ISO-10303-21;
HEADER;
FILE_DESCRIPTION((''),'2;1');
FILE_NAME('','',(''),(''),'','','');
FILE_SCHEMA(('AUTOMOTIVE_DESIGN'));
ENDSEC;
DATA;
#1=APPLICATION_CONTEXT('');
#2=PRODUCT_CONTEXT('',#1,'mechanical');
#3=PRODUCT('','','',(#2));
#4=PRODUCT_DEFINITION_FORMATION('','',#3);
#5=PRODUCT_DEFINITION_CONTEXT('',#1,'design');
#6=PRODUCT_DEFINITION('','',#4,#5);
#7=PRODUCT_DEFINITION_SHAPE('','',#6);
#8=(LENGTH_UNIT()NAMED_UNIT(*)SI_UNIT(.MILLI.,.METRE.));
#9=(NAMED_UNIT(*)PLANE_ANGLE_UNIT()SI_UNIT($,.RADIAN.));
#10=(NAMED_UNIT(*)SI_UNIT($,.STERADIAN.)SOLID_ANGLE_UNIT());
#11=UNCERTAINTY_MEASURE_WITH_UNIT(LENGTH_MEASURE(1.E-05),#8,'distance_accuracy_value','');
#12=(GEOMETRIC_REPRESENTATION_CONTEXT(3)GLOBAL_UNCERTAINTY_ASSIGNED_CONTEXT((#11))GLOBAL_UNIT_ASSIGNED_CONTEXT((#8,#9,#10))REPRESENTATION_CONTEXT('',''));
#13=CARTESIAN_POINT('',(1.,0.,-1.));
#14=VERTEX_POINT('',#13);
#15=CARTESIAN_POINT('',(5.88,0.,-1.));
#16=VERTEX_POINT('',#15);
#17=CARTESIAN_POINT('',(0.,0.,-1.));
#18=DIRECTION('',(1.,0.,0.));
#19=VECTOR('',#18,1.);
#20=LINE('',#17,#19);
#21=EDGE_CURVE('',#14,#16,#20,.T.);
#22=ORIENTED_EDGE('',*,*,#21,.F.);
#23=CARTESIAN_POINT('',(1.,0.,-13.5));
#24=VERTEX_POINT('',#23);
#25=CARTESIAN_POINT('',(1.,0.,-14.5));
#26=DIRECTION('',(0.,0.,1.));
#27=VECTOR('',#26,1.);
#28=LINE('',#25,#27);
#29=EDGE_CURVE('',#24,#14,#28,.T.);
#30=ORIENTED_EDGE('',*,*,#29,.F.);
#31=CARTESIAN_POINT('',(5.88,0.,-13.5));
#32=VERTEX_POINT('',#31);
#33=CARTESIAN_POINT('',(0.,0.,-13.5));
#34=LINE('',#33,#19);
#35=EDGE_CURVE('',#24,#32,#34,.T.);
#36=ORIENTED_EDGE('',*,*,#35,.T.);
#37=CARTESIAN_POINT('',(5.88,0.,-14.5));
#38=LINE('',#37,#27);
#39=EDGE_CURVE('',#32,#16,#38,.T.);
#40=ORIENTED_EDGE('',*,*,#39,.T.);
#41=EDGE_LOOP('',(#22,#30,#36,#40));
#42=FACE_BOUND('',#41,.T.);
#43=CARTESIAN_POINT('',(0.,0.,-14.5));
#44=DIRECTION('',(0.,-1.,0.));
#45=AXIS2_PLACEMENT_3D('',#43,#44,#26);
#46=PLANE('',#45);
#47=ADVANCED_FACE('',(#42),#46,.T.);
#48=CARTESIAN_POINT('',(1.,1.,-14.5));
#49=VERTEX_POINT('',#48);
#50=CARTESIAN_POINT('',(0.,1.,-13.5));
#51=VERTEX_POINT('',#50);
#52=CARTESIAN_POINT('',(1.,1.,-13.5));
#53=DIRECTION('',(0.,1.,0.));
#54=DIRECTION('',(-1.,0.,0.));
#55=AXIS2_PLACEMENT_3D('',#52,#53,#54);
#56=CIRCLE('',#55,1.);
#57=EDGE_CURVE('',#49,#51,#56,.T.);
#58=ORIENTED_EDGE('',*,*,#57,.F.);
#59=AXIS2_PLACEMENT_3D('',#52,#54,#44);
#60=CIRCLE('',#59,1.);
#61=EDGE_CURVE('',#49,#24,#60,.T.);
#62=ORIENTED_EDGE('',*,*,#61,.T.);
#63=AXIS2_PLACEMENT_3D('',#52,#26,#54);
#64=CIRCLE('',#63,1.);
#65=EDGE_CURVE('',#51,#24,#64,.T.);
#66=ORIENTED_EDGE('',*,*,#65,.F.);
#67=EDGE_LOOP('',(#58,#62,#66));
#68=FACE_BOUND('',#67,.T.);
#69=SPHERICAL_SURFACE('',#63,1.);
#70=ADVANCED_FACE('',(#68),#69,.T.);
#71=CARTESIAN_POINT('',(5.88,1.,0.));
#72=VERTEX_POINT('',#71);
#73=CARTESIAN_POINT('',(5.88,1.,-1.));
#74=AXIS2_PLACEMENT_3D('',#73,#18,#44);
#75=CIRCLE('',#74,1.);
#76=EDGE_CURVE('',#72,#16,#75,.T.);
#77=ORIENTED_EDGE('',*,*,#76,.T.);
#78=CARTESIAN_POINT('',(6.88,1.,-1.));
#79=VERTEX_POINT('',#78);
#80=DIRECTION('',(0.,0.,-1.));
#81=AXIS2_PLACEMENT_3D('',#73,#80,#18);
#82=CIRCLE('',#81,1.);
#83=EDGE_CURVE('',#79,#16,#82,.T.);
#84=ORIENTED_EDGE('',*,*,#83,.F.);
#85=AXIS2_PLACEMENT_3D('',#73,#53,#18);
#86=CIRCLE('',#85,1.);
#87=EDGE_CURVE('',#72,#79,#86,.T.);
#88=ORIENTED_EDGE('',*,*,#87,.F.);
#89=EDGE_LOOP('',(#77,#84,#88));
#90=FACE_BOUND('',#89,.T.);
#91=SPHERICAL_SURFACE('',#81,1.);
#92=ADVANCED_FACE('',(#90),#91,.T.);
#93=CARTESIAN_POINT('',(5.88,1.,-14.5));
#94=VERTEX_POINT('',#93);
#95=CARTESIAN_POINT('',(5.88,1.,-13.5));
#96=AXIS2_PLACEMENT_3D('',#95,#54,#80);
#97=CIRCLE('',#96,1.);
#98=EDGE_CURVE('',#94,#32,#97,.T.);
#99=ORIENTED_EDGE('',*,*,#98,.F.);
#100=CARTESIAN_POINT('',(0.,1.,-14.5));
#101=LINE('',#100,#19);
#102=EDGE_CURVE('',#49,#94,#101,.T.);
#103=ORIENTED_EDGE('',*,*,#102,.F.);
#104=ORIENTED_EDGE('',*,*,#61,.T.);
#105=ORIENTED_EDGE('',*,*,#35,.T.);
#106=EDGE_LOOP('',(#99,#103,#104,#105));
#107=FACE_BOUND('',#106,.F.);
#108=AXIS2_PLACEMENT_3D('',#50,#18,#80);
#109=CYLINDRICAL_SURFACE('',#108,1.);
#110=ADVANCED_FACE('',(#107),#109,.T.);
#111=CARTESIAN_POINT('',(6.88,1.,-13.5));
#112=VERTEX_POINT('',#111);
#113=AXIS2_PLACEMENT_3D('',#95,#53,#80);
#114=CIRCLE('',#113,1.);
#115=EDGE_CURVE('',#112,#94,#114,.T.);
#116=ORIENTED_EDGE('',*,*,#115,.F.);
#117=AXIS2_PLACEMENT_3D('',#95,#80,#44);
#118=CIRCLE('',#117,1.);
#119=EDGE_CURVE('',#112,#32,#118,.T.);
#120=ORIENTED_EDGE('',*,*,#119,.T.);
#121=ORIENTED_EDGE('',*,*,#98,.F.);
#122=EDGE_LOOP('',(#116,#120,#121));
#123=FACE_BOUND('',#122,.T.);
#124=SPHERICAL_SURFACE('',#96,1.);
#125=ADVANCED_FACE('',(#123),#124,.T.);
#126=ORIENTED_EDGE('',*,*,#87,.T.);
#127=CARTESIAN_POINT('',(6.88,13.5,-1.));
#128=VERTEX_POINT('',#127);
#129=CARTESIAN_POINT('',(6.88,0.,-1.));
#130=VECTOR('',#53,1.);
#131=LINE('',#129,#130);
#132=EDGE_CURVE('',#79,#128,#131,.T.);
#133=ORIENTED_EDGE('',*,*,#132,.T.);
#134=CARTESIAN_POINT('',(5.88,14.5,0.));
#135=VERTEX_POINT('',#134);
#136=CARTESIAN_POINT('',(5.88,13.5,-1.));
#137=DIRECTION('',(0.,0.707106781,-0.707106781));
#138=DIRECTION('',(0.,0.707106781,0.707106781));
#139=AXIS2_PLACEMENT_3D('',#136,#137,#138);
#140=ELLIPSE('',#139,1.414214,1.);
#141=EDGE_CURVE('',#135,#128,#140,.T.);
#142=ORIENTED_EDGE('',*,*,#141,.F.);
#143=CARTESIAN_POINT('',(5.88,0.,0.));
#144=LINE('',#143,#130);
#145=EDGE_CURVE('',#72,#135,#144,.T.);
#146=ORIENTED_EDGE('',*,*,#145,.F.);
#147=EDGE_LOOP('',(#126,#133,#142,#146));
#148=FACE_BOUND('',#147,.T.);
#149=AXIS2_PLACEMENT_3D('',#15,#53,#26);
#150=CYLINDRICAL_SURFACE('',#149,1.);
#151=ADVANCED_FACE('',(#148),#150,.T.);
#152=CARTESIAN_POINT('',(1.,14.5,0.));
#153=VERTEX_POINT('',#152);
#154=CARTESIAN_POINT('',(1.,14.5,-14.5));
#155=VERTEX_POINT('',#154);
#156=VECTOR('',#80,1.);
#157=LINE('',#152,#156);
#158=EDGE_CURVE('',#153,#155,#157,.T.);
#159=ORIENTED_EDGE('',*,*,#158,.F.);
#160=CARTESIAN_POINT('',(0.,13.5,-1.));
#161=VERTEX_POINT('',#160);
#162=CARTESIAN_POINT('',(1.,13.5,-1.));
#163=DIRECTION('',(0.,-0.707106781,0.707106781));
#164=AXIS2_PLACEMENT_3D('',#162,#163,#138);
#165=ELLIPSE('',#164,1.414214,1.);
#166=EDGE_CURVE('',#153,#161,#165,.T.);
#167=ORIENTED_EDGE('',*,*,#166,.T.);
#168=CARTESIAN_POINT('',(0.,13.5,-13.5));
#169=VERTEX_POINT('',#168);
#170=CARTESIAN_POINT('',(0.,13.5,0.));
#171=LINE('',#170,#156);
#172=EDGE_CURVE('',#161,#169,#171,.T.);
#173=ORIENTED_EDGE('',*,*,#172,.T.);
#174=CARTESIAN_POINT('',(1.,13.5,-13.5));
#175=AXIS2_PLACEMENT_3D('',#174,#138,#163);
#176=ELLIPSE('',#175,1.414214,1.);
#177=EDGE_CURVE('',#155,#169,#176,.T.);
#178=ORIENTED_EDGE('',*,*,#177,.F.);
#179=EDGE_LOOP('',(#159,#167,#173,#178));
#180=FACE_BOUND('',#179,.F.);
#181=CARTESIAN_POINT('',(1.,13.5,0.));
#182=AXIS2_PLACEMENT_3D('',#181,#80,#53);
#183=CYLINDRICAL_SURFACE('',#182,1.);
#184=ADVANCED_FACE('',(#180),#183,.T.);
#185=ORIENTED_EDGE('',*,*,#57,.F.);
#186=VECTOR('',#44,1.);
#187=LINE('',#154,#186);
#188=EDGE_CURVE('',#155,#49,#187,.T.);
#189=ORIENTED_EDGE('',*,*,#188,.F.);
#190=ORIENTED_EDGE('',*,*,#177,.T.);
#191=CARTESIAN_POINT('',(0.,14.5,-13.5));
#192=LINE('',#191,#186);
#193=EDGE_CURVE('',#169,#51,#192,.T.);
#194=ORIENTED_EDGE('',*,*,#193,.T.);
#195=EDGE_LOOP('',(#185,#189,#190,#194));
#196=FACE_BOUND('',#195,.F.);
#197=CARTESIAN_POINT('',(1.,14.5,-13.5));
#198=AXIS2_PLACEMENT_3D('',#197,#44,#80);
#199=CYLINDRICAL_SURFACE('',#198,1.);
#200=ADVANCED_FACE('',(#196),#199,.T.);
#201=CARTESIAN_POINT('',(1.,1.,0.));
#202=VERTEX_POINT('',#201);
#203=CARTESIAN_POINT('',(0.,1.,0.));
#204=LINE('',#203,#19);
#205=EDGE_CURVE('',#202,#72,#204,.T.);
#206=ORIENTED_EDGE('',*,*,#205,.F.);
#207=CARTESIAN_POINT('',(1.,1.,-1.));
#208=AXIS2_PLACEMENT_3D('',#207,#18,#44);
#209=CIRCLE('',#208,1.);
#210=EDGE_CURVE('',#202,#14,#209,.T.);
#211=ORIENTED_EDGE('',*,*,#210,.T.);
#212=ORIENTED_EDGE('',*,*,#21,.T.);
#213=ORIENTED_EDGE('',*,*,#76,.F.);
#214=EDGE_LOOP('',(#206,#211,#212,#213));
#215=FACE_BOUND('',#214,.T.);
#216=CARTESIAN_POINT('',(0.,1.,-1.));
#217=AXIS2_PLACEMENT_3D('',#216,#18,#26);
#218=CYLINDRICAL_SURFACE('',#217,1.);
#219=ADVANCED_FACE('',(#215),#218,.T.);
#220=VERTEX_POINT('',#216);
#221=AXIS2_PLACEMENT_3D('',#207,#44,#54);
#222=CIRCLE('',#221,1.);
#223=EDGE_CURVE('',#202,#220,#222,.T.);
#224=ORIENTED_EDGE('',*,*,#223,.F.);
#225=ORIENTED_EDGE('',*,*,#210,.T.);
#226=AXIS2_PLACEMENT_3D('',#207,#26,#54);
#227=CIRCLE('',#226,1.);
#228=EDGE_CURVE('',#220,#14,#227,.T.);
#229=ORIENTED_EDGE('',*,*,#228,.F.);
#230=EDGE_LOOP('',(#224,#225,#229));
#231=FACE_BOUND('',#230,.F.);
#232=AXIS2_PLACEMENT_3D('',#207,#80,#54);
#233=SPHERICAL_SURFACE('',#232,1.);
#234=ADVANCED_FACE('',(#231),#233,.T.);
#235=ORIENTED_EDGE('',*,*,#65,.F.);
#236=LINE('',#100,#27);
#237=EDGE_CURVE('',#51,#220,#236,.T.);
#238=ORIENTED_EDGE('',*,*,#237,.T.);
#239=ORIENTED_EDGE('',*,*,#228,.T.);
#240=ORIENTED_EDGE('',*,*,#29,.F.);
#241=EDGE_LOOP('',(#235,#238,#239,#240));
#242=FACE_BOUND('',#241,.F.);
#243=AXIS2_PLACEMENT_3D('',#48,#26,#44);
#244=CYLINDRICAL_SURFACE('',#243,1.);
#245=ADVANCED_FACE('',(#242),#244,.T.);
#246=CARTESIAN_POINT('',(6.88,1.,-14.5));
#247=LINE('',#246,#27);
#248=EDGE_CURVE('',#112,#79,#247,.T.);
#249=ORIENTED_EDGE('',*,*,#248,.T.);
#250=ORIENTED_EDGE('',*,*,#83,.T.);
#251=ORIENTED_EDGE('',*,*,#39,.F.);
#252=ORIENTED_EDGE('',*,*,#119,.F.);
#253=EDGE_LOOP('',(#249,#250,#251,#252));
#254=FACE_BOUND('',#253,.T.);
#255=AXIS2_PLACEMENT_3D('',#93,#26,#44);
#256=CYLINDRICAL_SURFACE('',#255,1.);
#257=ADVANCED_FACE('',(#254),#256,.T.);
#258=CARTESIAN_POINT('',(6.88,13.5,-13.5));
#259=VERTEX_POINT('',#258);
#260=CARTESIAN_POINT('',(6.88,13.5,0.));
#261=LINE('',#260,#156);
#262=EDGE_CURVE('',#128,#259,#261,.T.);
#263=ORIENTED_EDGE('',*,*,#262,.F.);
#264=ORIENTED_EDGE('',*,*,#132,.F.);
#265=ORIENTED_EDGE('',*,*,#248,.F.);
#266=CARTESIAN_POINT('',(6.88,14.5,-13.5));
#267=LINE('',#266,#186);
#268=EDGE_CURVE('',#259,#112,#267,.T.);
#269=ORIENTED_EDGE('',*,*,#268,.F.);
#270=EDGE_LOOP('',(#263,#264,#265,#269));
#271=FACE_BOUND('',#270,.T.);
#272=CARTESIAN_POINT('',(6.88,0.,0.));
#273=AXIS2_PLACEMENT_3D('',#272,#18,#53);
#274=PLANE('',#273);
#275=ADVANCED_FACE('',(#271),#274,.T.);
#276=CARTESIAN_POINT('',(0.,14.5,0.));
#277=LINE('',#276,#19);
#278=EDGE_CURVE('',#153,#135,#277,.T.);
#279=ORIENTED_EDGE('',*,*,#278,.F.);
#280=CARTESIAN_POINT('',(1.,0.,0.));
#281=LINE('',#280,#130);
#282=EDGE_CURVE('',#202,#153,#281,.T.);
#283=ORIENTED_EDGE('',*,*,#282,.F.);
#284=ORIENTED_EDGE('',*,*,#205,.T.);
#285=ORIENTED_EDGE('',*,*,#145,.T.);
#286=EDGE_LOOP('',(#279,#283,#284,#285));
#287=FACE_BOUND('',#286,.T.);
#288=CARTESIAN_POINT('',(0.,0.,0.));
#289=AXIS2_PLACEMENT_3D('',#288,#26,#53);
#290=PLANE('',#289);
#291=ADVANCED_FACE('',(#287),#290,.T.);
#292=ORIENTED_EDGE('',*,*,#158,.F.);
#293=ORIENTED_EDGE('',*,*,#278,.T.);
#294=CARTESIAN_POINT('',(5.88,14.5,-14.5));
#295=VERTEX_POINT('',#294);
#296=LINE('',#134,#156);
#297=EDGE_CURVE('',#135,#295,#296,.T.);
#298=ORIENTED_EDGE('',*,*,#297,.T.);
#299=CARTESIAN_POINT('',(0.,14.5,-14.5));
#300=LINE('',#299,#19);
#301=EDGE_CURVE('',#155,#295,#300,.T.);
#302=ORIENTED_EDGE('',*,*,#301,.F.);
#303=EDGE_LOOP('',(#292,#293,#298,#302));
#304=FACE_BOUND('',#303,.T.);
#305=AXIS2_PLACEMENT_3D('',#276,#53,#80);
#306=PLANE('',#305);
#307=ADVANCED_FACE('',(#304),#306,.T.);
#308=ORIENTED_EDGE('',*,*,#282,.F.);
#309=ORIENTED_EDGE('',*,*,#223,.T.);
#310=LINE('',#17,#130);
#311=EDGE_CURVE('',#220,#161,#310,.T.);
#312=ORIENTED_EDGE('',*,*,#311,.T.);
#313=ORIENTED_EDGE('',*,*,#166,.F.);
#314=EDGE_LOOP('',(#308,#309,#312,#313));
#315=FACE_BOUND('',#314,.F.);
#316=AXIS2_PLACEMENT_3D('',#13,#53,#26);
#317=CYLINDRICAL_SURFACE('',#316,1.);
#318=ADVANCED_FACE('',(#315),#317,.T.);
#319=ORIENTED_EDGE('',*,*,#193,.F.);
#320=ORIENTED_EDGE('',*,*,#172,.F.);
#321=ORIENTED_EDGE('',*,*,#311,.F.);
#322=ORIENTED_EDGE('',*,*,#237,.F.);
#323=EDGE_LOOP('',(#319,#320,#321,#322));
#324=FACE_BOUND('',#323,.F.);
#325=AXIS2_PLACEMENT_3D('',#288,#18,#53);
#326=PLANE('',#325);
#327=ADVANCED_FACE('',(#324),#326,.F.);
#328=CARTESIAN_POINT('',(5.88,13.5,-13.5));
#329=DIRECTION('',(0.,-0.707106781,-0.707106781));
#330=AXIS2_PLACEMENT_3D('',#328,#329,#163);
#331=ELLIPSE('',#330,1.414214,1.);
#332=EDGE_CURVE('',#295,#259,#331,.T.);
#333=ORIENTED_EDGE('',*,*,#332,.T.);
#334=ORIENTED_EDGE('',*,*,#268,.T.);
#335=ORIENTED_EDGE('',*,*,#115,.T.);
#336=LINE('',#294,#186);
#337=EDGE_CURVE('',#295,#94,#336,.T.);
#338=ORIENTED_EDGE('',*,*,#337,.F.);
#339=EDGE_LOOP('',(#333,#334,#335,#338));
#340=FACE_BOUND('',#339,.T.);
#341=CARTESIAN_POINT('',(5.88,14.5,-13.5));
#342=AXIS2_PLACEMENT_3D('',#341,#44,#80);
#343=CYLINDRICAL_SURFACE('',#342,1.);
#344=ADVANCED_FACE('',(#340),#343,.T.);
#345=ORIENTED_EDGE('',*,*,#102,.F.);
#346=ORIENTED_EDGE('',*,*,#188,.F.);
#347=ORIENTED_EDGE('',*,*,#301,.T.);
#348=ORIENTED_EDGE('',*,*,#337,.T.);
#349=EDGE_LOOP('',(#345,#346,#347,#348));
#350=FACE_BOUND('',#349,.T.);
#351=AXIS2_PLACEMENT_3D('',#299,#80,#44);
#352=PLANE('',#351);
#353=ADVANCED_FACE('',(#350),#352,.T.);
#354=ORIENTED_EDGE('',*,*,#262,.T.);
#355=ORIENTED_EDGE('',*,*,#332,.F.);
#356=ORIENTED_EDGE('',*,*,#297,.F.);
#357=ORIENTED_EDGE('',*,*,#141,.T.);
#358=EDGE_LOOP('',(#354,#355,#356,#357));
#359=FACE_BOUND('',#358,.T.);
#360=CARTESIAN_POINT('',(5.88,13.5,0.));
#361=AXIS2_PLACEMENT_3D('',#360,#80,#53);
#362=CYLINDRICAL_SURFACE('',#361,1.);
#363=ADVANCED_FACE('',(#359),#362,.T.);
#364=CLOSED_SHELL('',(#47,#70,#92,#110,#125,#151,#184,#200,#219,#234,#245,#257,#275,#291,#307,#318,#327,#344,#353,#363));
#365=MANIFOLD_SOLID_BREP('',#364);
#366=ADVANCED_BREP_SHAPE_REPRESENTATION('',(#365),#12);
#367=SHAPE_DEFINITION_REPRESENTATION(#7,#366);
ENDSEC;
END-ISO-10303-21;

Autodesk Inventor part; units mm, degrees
ref_plane "YZ Plane" through (0, 0, 0) normal (1, 0, 0) x (0, 1, 0)
ref_plane "XZ Plane" through (0, 0, 0) normal (0, 1, 0) x (-1, 0, 0)
ref_plane "XY Plane" through (0, 0, 0) normal (0, 0, 1) x (1, 0, 0)
sketch "Sketch1" plane through (0, 0, 0) normal (1, 0, 0) x (0, 1, 0)
  line L0 (0, 0) -> (14.5, 0)
  line L1 (14.5, 0) -> (14.5, -14.5)
  line L2 (14.5, -14.5) -> (0, -14.5)
  line L3 (0, -14.5) -> (0, 0)
  dimension "d5" = 14.5
  dimension "d6" = 14.5
extrude "Extrusion1" add sketch "Sketch1" along normal blind 6.88
fillet "Fillet1" radius 1 10 edges at (0, 0, -7.25) (0, 7.25, -14.5) (3.44, 0, -14.5) (6.88, 7.25, -14.5) (6.88, 0, -7.25) (6.88, 7.25, 0) (0, 7.25, 0) (3.44, 0, 0) (0, 14.5, -7.25) (6.88, 14.5, -7.25)
properties part number "battery_1S_100mAh_no_prot"
